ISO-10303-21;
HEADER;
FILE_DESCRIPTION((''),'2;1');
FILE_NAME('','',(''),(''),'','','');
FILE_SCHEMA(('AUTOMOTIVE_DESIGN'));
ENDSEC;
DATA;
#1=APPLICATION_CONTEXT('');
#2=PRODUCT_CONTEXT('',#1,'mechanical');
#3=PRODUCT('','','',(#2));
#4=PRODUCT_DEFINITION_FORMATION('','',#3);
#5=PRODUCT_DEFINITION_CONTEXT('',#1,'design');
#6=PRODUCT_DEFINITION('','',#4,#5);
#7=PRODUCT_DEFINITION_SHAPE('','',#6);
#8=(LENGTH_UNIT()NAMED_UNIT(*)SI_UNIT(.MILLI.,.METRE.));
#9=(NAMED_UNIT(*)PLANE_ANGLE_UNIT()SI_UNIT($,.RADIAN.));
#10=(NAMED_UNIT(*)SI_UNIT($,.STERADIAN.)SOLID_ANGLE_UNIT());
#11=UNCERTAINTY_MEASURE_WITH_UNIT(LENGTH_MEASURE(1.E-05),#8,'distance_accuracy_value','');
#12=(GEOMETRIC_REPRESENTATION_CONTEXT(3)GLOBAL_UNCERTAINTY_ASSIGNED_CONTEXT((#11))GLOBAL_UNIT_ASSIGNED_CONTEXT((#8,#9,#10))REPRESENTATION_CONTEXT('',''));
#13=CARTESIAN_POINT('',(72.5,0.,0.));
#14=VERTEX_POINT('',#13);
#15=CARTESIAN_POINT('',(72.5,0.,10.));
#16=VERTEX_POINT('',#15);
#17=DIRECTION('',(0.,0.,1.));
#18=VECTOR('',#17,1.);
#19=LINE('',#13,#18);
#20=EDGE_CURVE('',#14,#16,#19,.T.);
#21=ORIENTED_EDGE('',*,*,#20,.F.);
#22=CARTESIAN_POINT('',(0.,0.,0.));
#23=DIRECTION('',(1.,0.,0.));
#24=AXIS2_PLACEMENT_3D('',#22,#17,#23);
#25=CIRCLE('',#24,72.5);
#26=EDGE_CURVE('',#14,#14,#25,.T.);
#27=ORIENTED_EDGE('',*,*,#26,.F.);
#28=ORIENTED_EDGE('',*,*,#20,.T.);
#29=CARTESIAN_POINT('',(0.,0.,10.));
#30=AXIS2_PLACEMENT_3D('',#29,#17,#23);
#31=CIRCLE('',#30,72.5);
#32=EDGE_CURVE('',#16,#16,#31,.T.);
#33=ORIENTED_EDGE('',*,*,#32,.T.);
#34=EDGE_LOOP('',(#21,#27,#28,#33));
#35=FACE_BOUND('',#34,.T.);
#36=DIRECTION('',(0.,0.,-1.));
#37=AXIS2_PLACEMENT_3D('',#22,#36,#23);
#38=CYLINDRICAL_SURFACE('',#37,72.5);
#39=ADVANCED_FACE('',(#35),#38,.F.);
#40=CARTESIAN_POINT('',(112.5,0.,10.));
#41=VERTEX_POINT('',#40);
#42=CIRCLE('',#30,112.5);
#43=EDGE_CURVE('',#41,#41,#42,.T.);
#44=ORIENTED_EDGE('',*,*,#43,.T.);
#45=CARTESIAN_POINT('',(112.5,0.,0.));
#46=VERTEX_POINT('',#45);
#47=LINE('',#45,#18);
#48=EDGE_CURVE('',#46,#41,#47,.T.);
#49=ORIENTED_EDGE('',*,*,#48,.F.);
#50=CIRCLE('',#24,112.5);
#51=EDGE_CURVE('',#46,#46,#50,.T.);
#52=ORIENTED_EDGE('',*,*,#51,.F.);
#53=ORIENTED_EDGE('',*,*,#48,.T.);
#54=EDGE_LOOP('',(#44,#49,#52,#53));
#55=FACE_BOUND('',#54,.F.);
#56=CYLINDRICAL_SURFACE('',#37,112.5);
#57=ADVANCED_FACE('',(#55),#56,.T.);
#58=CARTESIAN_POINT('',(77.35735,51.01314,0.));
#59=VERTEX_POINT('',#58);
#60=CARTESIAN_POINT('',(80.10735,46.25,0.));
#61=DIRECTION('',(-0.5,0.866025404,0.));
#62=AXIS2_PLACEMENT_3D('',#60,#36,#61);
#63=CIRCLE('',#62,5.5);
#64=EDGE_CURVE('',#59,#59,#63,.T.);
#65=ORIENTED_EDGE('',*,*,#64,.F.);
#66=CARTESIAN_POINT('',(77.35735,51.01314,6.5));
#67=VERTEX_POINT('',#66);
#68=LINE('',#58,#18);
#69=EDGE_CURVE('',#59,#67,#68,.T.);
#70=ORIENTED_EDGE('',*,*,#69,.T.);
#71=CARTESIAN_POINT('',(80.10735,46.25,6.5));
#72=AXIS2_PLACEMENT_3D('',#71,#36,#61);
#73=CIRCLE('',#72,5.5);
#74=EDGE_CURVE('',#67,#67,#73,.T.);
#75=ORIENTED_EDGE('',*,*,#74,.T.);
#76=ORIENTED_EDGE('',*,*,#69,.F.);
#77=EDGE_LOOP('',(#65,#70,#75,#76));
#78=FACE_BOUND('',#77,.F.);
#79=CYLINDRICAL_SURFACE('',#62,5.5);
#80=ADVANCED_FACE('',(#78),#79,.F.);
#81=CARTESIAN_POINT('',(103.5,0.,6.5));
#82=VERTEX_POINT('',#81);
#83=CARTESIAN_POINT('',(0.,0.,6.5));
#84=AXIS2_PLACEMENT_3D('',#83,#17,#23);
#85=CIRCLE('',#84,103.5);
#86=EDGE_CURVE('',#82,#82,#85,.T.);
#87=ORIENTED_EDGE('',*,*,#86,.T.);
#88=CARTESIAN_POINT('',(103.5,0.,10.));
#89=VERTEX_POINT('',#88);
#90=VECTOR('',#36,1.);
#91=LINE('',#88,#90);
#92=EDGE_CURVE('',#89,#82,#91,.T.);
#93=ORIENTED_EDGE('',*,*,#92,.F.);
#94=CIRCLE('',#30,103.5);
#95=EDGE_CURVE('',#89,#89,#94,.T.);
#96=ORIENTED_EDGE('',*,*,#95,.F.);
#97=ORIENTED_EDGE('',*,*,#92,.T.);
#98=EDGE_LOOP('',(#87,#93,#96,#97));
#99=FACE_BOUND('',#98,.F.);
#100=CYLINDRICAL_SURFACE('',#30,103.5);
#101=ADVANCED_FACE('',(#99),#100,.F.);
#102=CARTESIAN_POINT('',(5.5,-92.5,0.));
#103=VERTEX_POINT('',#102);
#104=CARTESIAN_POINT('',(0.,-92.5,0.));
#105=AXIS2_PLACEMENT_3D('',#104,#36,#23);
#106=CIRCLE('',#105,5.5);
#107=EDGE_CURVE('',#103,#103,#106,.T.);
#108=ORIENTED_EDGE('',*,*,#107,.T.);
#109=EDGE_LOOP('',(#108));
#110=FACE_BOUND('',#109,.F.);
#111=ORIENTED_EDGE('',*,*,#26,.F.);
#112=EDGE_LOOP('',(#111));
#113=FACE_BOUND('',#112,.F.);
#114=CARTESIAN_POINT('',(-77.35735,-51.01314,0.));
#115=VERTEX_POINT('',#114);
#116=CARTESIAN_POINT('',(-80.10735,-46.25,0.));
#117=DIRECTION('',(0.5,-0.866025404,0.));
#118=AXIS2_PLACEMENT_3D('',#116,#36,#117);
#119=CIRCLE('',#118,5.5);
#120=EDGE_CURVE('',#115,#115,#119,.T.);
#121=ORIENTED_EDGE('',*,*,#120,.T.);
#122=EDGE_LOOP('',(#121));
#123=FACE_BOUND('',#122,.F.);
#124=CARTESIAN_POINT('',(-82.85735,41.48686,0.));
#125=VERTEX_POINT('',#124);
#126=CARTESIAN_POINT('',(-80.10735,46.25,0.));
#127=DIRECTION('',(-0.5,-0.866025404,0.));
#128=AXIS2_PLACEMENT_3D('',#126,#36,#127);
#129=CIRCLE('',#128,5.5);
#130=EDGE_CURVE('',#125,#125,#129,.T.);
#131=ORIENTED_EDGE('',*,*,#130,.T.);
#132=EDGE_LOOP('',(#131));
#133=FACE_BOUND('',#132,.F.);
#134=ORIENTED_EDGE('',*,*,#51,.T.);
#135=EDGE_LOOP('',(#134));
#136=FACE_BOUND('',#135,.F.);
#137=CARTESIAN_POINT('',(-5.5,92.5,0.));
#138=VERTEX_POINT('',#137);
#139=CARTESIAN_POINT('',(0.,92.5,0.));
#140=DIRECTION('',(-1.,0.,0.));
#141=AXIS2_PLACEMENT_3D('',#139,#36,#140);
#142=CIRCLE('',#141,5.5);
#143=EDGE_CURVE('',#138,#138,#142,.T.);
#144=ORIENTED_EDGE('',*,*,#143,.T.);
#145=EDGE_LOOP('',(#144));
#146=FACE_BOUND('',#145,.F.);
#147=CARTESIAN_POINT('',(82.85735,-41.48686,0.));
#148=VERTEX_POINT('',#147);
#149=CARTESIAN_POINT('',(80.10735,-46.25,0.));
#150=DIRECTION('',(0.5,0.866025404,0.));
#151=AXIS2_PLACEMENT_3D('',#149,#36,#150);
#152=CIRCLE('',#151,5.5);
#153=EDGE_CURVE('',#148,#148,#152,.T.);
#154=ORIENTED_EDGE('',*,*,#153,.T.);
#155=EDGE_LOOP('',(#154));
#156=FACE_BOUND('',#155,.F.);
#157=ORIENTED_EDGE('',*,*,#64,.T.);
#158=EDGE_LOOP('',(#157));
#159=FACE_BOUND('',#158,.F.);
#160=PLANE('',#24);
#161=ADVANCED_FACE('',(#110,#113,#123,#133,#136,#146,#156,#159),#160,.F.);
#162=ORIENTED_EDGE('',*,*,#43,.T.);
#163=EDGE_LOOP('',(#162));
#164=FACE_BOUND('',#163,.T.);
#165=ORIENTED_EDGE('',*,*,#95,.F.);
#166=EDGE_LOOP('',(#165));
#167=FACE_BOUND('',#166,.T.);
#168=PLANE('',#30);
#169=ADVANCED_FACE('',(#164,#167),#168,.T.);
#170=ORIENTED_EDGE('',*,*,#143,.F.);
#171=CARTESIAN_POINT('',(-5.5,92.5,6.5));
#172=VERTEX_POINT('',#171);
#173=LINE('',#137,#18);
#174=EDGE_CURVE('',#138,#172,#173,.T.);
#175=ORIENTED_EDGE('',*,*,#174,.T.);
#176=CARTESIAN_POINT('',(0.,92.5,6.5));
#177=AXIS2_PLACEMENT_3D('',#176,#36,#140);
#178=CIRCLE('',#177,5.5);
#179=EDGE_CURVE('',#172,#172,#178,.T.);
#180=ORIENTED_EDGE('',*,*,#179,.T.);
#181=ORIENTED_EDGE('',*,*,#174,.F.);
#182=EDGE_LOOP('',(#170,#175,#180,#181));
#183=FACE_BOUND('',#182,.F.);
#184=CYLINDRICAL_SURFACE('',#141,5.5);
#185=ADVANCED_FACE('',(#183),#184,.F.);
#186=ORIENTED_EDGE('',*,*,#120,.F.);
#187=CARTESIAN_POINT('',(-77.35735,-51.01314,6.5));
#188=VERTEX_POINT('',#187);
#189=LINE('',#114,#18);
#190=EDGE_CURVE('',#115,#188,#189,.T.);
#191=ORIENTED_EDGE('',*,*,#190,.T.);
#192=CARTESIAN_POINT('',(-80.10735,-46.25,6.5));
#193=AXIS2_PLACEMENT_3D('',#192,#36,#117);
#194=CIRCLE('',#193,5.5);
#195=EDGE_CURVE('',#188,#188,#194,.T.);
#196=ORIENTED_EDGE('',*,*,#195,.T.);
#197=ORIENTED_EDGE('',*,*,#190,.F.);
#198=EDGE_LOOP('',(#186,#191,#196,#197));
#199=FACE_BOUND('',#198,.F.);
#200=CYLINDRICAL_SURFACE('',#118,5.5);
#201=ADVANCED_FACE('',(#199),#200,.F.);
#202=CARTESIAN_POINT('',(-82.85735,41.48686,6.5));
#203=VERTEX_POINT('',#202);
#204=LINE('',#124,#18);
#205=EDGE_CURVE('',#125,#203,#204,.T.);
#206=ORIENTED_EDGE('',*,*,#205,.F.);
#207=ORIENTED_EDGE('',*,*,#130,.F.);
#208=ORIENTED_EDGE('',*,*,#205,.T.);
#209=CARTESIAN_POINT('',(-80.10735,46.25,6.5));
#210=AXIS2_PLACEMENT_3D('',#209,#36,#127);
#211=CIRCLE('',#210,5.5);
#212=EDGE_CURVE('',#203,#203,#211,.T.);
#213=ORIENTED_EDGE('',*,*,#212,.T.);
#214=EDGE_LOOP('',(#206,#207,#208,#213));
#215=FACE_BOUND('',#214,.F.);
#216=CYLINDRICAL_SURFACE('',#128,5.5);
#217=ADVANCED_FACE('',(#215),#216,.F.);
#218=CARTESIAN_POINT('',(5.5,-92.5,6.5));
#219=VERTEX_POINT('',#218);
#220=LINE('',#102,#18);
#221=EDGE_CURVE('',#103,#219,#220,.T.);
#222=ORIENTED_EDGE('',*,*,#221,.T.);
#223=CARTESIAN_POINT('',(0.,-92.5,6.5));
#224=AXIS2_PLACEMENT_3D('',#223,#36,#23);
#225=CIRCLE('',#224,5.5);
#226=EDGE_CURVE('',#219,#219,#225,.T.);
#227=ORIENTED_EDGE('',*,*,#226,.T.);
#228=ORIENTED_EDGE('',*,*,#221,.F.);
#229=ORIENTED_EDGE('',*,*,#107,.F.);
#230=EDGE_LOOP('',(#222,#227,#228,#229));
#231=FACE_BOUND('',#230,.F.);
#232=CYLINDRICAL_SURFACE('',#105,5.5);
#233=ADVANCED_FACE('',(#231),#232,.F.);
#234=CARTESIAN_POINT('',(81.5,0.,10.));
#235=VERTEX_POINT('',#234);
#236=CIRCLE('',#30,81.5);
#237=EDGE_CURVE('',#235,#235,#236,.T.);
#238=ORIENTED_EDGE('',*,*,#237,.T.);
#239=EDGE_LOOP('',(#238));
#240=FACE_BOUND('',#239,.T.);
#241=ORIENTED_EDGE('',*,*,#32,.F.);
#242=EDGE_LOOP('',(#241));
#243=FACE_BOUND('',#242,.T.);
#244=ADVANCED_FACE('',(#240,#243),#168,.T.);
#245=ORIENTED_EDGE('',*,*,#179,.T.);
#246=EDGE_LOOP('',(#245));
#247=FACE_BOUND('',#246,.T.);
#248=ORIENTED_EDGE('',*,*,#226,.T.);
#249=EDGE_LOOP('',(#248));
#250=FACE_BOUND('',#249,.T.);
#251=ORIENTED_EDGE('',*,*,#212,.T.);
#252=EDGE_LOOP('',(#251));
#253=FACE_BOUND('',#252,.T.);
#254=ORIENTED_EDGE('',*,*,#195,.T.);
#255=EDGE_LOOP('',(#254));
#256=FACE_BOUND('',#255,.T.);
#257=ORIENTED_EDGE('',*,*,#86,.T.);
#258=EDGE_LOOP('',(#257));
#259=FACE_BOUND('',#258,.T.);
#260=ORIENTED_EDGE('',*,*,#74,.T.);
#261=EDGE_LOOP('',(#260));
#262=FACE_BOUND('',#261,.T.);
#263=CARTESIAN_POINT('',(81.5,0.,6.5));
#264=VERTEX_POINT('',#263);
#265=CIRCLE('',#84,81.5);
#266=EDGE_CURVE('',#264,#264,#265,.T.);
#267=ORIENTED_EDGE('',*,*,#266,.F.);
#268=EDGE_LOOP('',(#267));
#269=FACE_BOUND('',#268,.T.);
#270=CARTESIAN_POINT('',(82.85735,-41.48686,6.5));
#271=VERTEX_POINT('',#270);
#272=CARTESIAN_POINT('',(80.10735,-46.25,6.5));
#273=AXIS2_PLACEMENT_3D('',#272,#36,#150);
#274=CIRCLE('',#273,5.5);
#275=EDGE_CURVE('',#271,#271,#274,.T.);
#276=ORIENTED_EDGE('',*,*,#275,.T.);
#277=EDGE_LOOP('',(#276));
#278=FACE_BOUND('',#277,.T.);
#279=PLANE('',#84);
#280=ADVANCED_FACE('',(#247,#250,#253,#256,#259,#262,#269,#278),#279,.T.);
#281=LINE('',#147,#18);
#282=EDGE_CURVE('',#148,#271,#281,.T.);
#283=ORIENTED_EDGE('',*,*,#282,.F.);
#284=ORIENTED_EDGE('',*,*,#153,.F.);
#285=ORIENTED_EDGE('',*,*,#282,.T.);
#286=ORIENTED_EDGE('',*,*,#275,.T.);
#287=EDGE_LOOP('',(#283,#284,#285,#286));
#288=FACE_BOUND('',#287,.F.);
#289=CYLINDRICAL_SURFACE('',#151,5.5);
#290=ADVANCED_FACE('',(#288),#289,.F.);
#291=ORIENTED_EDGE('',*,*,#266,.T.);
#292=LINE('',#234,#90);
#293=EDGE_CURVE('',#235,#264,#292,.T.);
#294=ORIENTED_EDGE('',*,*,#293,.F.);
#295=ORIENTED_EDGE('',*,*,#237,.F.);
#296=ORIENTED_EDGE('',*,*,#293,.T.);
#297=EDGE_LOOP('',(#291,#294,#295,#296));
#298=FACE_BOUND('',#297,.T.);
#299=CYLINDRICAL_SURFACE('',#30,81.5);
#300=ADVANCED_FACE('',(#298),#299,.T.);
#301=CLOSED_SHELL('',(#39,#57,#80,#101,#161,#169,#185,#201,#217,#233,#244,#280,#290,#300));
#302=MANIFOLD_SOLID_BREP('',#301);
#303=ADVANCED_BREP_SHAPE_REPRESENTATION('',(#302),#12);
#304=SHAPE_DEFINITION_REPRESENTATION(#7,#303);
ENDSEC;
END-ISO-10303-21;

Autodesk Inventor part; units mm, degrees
ref_plane "YZ Plane" through (0, 0, 0) normal (1, 0, 0) x (0, 1, 0)
ref_plane "XZ Plane" through (0, 0, 0) normal (0, 1, 0) x (-1, 0, 0)
ref_plane "XY Plane" through (0, 0, 0) normal (0, 0, 1) x (1, 0, 0)
sketch "Sketch6" plane through (0, 0, 0) normal (0, 0, 1) x (1, 0, 0)
  circle A0 centre (0, 0) radius 72.5
  circle A1 centre (0, 0) radius 112.5
  dimension "d46" = 145
  dimension "d47" = 225
extrude "Plate1" add sketch "Sketch6" along normal blind 10
sketch "Sketch7" plane through (0, 0, 10) normal (0, 0, 1) x (1, 0, 0)
  circle A0 centre (0, 0) radius 81.5
  circle A1 centre (0, 0) radius 103.5
  dimension "d57" = 163
  dimension "d58" = 207
extrude "Extrusion5" cut sketch "Sketch7" against normal blind 3.5
sketch "Sketch8" plane through (0, 0, 0) normal (0, 0, -1) x (-1, 0, 0)
  circle A0 centre (0, 92.5) radius 5.5
  circle A1 centre (0, 0) radius 92.5 construction
  dimension "d51" = 185
  dimension "d50" = 11
extrude "Extrusion6" cut sketch "Sketch8" along normal through all both and the other way through all
pattern_circular "Circular Pattern3" count 6 over 360 about axis through (0, 0, 0) along (0, 0, 1) of "Extrusion6"
equation "\"d47\" = back_steel_circle_диам_центров + back_steel_circle_ширина_кольца"
equation "\"d51\" = back_steel_circle_диам_центров"
equation "\"d45\" = Thickness"
equation "\"BendReliefDepth\" = 0.5 * Thickness"
equation "\"back_steel_circle_диам_центров\" = 185"
equation "\"back_steel_circle_ширина_кольца\" = 40"
equation "\"Thickness\" = 10"
properties part number "NVPH-322 joint HDPE ring"
